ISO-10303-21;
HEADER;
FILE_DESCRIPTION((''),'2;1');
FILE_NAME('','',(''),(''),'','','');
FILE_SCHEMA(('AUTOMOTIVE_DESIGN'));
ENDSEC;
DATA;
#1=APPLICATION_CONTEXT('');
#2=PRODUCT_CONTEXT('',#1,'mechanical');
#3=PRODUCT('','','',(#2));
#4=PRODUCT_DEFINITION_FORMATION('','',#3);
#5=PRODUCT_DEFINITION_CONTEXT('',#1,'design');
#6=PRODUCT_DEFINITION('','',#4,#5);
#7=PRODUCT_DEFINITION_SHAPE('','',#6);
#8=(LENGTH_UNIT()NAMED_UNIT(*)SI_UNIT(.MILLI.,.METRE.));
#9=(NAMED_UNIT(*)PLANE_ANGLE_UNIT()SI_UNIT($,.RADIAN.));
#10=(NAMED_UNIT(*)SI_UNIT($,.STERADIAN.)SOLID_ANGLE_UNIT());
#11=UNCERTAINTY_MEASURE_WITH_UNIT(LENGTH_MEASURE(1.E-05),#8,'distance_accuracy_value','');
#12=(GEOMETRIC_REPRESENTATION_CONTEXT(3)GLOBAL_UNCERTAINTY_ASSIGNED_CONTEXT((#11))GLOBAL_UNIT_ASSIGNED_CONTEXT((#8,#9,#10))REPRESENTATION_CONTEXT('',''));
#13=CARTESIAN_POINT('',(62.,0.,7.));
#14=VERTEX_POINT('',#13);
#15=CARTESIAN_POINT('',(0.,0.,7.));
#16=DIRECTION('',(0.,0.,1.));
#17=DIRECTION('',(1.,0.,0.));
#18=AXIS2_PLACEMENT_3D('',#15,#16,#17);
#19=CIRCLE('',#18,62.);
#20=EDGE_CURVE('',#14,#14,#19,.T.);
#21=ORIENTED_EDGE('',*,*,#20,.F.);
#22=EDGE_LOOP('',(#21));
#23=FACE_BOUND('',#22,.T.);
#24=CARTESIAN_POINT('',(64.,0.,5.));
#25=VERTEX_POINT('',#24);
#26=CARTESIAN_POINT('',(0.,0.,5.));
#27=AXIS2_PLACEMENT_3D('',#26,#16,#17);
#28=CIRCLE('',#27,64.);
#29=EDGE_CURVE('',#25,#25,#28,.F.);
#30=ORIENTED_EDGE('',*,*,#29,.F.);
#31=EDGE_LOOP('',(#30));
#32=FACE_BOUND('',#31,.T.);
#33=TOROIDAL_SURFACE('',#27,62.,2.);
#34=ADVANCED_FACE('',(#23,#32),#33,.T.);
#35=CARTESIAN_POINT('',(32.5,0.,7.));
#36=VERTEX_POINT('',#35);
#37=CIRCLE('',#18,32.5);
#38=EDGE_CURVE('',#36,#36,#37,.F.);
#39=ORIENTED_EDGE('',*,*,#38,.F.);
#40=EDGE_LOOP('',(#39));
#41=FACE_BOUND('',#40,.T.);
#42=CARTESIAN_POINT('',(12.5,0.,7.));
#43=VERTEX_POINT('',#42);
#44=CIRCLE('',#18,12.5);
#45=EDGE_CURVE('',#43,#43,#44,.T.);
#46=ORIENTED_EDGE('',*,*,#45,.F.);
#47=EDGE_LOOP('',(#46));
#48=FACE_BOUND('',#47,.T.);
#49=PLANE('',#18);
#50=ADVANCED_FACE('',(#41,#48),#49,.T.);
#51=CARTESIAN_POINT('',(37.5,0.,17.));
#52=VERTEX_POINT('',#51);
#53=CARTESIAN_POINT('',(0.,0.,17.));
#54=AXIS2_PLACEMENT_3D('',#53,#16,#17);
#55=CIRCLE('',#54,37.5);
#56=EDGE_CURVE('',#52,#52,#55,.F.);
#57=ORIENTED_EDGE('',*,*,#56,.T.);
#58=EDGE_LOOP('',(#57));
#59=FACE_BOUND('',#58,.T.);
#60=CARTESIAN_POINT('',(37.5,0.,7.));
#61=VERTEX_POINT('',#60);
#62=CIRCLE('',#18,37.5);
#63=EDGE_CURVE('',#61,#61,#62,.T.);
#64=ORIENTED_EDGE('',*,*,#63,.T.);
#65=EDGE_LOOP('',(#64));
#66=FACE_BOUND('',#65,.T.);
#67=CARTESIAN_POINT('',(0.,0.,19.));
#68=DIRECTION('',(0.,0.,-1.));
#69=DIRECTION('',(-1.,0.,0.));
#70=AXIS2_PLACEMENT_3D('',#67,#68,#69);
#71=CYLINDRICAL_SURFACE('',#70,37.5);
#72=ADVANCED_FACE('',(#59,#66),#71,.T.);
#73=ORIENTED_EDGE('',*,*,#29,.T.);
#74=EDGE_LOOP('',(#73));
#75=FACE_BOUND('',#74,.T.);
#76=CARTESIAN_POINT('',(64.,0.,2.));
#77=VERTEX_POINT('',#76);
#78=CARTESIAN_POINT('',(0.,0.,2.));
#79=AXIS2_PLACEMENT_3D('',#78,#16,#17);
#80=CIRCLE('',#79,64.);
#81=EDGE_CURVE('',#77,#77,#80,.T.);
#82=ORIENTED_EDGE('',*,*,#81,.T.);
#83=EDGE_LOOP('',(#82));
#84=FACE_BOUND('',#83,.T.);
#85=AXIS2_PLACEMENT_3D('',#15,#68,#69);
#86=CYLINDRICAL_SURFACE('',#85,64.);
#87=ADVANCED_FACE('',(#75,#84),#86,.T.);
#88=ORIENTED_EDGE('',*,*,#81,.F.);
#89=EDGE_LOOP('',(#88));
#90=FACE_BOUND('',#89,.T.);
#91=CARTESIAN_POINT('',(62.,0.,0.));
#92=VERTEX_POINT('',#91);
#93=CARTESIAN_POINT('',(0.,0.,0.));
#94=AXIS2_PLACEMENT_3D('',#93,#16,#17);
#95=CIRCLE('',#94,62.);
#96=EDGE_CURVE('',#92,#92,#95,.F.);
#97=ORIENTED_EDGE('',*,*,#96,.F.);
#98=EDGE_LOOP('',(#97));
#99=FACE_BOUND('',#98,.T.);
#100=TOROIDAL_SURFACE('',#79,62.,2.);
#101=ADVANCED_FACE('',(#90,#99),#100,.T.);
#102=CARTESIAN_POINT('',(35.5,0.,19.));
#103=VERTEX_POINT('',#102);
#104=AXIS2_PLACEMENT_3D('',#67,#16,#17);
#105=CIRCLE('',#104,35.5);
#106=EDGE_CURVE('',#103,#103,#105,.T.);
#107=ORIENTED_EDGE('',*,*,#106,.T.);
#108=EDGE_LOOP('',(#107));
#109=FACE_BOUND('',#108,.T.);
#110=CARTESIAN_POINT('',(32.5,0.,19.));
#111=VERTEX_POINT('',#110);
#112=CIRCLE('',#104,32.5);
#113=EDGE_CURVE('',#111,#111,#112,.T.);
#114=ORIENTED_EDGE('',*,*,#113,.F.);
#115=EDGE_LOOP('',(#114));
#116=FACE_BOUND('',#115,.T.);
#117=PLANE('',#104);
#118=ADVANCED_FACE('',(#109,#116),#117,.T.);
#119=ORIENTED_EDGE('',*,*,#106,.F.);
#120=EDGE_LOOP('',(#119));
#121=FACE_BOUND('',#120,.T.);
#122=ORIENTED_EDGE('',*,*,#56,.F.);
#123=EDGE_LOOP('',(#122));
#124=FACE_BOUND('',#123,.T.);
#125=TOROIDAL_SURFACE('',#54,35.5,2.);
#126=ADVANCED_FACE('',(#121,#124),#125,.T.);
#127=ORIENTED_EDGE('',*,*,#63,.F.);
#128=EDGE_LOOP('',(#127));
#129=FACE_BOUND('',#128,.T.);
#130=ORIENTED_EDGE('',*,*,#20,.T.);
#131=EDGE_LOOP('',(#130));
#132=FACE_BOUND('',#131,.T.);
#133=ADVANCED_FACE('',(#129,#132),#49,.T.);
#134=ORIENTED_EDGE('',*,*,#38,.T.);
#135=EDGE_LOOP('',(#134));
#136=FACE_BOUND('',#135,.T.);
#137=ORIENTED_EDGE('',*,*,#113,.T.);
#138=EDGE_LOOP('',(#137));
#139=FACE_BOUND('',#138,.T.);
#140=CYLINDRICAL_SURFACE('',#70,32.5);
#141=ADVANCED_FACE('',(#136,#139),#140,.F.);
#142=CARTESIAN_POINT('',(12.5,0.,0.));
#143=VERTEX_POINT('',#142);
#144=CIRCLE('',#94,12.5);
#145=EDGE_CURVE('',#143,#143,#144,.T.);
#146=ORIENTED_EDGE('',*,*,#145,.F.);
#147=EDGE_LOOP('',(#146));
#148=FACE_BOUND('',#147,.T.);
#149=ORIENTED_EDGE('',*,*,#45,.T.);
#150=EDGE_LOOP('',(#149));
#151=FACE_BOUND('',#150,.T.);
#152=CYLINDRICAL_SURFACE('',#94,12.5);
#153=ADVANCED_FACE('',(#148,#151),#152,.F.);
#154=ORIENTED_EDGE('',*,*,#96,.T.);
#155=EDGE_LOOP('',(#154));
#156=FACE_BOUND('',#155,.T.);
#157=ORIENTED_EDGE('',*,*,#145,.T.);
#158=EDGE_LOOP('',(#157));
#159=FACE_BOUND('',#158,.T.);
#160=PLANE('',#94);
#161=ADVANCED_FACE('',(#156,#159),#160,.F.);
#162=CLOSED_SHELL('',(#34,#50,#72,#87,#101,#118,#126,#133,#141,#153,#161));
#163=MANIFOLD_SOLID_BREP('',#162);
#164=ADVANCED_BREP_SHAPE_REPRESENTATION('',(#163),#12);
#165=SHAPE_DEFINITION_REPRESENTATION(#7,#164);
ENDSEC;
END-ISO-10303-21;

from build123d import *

# Parameters (mm, degrees)
SKETCH1_R           = 64
BOSS_EXTRUDE2_DEPTH = 7
SKETCH3_R           = 37.5
SKETCH3_R_2         = 32.5
BOSS_EXTRUDE3_DEPTH = 12
SKETCH6_R           = 12.5
CUT_EXTRUDE1_DEPTH  = 8
FILLET1_R           = 2


with BuildPart() as part:
    # Sketch1 → Boss-Extrude2 (new body)
    with BuildSketch(Plane.XY):
        Circle(SKETCH1_R)
    extrude(amount=BOSS_EXTRUDE2_DEPTH)

    # Sketch3 → Boss-Extrude3 (add)
    with BuildSketch(Plane.XY.offset(7)):
        Circle(SKETCH3_R)
        Circle(SKETCH3_R_2, mode=Mode.SUBTRACT)
    extrude(amount=BOSS_EXTRUDE3_DEPTH)

    # Sketch6 → Cut-Extrude1 (cut, through all)
    with BuildSketch(Plane.XY.offset(7)):
        Circle(SKETCH6_R)
    extrude(amount=-CUT_EXTRUDE1_DEPTH, mode=Mode.SUBTRACT)

    # Fillet1
    fillet1_edges = [part.edges().sort_by_distance(p)[0] for p in [
        (-64, 0, 0),
        (-64, 0, 7),
        (-37.5, 0, 19),
    ]]
    fillet(fillet1_edges, radius=FILLET1_R)


solid = part.part
